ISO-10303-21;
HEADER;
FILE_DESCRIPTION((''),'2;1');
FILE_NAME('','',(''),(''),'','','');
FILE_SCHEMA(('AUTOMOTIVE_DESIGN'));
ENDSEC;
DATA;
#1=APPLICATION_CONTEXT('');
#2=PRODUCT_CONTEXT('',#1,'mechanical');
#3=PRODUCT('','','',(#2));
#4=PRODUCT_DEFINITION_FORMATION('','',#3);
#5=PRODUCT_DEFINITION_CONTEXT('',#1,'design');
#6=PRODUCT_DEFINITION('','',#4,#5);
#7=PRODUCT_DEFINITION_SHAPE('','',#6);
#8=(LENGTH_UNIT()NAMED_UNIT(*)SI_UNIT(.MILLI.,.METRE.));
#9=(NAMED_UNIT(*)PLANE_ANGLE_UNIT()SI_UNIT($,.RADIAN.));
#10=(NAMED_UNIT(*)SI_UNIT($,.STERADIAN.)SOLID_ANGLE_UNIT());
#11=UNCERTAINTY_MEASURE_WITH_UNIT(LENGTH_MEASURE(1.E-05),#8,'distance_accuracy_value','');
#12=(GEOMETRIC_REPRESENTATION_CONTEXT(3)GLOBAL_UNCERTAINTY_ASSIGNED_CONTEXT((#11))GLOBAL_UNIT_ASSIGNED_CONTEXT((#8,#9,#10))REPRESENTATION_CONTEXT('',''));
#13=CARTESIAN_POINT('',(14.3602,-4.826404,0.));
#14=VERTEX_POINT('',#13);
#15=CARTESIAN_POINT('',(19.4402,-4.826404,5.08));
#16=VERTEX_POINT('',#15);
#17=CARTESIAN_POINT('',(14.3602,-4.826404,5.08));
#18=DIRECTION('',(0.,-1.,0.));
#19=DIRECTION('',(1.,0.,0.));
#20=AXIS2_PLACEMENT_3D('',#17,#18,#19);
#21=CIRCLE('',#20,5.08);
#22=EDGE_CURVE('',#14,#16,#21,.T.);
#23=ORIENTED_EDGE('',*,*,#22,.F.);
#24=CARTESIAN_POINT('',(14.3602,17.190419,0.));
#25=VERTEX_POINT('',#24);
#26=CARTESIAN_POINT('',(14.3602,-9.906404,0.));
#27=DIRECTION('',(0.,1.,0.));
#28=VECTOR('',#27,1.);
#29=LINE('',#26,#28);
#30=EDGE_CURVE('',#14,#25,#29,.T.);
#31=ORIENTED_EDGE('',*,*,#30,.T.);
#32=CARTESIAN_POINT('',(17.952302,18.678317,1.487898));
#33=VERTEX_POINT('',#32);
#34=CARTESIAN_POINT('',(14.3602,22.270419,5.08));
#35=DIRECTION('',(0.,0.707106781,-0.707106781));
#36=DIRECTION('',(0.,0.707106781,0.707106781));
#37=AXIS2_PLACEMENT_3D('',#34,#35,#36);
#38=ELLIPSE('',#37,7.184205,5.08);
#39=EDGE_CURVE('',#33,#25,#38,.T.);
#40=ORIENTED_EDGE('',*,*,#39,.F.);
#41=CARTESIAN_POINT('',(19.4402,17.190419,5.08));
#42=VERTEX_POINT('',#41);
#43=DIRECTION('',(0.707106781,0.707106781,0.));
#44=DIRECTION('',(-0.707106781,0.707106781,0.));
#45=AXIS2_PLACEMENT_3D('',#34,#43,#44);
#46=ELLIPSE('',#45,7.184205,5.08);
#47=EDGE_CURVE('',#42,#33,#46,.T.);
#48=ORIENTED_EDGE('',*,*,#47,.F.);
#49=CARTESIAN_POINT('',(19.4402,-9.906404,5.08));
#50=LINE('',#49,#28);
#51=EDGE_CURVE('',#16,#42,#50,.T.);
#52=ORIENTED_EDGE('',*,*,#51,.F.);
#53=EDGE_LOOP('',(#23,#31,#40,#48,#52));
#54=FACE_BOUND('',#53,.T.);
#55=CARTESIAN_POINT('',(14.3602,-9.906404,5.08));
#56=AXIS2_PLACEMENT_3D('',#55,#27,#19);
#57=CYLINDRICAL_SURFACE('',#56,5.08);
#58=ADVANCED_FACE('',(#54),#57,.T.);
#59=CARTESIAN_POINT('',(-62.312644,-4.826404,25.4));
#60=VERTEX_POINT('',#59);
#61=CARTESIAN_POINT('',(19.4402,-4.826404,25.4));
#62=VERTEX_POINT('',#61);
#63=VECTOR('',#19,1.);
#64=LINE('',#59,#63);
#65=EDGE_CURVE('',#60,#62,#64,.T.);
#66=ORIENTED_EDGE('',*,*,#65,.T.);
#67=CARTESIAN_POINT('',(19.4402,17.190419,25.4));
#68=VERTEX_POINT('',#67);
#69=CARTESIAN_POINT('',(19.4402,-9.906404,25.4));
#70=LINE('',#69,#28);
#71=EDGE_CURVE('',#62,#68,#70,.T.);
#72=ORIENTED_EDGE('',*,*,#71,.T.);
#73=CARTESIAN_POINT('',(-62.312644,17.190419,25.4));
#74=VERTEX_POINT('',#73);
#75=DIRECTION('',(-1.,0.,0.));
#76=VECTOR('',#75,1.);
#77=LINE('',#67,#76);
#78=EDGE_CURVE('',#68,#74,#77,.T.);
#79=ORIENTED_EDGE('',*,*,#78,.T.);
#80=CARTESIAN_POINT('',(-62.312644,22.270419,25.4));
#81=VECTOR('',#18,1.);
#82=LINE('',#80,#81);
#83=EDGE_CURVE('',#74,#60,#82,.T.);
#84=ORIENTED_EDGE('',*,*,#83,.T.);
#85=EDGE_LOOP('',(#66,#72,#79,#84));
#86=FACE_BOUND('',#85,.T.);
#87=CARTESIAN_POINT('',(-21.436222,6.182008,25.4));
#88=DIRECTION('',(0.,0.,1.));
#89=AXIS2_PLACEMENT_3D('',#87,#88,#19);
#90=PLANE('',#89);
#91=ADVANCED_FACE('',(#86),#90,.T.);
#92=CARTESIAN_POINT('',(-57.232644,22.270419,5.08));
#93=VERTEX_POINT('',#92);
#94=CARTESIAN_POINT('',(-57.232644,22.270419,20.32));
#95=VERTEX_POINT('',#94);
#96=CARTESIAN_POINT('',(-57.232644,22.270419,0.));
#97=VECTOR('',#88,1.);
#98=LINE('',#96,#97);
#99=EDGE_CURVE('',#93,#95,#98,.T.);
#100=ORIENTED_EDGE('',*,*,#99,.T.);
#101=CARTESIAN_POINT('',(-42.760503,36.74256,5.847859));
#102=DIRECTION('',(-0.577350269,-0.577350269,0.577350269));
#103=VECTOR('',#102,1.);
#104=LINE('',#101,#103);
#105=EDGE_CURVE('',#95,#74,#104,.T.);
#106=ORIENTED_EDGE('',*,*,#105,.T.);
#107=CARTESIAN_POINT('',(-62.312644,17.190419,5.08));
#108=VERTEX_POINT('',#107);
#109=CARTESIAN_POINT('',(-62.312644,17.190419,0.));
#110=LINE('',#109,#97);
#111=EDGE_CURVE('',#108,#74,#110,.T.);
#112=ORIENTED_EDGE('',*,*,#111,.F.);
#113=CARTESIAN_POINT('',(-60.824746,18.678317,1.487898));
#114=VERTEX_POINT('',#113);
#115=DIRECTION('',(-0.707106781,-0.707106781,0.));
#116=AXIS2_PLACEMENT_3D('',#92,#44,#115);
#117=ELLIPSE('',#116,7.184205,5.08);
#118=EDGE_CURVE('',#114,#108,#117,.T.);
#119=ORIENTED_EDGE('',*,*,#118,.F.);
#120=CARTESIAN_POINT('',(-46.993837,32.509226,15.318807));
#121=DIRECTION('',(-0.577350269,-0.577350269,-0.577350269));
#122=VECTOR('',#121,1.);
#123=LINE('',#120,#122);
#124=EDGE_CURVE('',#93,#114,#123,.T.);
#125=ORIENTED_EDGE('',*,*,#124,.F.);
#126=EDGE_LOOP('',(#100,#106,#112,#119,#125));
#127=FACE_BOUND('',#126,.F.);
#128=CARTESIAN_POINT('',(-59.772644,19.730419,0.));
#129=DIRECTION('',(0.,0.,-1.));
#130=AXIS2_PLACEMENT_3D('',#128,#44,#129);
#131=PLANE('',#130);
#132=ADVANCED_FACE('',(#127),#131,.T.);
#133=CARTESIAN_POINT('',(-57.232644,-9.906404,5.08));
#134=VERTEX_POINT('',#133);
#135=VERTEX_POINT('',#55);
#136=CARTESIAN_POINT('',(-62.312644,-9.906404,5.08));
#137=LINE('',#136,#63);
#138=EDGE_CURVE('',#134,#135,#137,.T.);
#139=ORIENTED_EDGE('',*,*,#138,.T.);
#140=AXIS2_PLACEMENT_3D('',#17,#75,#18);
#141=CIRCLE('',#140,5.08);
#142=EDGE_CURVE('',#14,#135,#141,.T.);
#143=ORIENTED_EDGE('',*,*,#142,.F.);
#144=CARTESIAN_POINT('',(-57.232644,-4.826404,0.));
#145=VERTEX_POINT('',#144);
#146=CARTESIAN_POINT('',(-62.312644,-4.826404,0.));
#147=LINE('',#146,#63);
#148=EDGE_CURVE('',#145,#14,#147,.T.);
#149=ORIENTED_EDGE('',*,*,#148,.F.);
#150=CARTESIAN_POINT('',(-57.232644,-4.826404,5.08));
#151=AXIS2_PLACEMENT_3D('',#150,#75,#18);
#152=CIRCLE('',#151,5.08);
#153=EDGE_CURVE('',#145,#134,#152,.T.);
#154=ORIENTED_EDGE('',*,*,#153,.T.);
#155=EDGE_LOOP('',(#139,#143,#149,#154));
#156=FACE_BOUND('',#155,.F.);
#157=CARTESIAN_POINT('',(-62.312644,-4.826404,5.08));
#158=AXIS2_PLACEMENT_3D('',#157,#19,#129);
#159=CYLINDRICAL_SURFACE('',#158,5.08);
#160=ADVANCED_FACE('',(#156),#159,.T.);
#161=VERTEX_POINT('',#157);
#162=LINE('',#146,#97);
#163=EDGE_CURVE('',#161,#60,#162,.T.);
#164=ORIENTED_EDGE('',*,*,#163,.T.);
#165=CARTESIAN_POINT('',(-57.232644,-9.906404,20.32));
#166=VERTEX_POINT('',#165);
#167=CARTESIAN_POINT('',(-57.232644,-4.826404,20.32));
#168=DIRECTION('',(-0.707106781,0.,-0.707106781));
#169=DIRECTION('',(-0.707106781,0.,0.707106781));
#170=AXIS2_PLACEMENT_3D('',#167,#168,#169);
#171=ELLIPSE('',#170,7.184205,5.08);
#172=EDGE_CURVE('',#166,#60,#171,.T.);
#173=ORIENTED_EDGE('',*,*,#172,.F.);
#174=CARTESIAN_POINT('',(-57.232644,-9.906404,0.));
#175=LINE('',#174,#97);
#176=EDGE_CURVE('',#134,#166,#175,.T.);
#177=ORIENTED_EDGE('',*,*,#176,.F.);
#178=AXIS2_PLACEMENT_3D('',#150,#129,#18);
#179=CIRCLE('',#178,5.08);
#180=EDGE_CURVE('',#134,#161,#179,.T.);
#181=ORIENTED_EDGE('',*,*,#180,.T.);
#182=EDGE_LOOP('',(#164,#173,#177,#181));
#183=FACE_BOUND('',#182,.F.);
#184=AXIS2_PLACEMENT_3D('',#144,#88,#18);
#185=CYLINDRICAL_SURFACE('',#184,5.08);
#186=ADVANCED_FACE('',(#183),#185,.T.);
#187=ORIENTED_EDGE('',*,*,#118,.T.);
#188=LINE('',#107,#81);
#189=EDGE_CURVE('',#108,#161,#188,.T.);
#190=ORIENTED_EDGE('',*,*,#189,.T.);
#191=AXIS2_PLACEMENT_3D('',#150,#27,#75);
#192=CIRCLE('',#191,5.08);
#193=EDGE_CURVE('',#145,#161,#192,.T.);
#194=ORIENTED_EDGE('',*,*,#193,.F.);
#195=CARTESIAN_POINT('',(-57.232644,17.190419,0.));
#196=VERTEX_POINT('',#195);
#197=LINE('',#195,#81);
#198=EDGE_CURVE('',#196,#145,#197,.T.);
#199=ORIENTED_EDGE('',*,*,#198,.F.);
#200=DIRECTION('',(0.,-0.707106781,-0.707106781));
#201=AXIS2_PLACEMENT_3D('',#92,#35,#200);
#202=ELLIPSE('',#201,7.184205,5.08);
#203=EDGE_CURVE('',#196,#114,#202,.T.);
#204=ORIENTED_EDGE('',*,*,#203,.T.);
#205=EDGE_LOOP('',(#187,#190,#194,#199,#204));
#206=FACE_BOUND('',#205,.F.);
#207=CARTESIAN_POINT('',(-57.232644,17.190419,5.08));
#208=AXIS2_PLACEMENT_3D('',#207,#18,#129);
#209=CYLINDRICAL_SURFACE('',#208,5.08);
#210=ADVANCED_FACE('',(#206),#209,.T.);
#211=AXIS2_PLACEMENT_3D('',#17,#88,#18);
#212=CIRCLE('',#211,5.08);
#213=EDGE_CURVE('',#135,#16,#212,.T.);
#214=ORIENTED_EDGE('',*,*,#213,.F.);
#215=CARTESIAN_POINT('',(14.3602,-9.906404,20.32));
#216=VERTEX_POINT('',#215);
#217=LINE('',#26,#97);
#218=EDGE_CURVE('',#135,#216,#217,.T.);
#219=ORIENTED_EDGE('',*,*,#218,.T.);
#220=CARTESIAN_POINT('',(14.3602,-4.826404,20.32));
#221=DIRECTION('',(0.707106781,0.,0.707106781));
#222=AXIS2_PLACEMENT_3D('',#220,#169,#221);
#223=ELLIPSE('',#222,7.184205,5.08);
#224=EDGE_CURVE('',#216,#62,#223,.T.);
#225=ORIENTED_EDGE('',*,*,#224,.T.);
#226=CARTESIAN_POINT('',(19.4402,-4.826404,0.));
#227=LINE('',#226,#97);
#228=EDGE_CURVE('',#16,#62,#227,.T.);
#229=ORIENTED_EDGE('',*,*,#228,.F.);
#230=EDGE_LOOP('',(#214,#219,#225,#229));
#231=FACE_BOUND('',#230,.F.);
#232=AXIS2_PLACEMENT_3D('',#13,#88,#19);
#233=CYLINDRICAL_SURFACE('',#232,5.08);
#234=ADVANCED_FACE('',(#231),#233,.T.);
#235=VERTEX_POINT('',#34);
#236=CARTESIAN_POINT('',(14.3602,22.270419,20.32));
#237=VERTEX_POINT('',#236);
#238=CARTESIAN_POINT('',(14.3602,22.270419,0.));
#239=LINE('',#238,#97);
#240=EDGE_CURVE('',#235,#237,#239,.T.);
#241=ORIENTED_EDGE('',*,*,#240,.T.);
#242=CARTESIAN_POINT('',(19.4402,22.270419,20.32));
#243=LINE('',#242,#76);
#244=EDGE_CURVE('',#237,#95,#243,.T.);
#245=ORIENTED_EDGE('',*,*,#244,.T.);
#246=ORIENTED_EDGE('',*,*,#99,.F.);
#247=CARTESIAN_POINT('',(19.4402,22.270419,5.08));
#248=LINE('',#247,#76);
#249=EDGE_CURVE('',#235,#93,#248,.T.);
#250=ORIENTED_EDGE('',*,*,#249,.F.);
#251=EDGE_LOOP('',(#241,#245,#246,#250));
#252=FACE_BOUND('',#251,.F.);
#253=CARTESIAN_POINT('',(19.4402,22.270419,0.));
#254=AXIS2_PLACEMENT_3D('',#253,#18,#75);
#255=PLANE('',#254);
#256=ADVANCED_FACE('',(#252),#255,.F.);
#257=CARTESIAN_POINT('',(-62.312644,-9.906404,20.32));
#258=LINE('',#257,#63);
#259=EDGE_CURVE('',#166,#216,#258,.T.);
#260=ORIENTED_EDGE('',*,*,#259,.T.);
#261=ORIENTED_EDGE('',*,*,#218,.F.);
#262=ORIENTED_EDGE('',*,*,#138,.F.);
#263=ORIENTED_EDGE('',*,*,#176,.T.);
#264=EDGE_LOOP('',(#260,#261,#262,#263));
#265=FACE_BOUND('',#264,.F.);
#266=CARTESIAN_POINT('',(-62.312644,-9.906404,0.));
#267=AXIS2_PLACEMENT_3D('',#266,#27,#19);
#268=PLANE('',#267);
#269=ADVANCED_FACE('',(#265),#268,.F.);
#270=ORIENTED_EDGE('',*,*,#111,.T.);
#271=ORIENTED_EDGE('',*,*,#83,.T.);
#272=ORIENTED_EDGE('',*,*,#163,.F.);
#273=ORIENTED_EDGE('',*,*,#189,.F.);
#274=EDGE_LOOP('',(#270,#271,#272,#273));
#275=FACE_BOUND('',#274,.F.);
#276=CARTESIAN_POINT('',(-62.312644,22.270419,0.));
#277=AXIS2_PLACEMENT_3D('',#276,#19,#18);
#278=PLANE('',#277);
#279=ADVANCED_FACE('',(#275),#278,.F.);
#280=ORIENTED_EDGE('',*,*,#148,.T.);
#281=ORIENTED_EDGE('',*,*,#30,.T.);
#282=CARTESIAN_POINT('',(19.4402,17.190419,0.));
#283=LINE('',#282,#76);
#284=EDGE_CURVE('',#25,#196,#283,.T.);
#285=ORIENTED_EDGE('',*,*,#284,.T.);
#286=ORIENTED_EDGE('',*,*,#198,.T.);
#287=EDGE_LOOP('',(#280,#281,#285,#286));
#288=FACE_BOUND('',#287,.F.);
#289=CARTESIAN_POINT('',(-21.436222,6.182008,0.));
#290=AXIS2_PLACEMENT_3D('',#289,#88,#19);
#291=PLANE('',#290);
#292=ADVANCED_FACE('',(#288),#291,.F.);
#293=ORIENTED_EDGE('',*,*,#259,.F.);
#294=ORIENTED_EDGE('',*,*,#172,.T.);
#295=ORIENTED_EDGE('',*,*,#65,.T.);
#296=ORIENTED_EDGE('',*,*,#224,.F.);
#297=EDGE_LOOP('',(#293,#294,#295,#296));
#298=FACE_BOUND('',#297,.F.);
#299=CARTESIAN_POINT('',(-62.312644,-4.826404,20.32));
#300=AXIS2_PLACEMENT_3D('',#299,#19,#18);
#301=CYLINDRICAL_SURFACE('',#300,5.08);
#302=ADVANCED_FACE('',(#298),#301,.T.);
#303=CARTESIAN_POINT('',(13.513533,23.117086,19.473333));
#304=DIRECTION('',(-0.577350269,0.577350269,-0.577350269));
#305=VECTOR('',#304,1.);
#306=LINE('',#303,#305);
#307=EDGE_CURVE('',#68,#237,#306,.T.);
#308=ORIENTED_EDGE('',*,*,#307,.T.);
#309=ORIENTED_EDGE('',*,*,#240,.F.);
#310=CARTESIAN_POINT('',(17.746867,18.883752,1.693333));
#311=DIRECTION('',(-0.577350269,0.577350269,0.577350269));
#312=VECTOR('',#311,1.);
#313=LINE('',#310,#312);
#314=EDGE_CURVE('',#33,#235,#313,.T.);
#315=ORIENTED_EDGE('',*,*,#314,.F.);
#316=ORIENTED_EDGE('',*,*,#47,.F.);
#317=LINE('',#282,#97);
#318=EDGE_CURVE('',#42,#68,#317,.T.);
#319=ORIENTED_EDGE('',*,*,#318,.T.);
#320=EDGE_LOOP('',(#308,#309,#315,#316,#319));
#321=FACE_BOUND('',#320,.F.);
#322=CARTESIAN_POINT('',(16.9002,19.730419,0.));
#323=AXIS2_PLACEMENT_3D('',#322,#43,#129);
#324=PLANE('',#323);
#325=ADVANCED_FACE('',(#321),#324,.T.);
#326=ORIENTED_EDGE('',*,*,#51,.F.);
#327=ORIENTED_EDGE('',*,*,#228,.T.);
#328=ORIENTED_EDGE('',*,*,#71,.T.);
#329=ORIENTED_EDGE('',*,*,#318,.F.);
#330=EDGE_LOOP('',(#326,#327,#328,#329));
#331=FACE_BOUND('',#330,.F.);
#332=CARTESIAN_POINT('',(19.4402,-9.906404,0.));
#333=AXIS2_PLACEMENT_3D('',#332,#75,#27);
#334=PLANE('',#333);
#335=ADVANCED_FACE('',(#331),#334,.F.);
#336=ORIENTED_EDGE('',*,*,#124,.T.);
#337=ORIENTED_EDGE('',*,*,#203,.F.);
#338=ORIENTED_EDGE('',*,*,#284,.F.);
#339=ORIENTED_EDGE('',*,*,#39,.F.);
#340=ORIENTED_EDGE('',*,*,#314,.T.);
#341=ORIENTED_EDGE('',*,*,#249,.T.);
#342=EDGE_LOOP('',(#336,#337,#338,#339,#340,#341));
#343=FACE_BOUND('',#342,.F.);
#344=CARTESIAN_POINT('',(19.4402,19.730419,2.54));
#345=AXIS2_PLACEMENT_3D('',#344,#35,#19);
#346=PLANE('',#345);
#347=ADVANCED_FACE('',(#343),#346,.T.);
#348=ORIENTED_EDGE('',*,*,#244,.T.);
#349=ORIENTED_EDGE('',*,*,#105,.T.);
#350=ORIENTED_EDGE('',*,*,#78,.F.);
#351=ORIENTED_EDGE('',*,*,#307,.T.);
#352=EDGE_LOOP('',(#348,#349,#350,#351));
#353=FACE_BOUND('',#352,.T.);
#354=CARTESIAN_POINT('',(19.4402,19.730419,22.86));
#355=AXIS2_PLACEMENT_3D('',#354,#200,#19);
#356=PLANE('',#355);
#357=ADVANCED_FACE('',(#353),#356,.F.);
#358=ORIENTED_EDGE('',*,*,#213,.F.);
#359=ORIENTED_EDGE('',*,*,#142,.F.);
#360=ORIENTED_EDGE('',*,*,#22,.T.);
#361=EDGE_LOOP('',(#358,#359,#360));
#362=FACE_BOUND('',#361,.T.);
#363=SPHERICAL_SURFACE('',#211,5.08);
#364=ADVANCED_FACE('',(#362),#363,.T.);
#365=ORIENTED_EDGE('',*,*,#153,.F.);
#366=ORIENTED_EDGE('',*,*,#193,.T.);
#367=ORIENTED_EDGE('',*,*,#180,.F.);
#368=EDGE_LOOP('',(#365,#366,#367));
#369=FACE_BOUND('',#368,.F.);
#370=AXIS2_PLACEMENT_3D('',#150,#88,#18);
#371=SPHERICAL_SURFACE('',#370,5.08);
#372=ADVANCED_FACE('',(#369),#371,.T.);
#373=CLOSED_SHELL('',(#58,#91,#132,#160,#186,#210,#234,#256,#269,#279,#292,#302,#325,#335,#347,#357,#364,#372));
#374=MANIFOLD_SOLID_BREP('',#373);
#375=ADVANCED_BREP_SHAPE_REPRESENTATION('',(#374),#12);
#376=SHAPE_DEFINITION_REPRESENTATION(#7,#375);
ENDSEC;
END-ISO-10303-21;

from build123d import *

# Parameters (mm, degrees)
F1_DEPTH = 25.4
F2_SIZE  = 5.08
F3_R     = 5.08


with BuildPart() as f1:
    # F0 (on Top) → F1 (new body)
    with BuildSketch(Plane.XY):
        Polygon((19.4402, -9.906404), (19.4402, 22.270419), (-62.312644, 22.270419), (-62.312644, -9.906404), (-20.164922, -9.906404), align=None)
    extrude(amount=F1_DEPTH)

    # F2
    f2_edges = [f1.edges().sort_by_distance(p)[0] for p in [
        (19.4402, 22.270419, 12.7),
        (-62.312644, 22.270419, 12.7),
        (-21.436222, 22.270419, 0),
        (-21.436222, 22.270419, 25.4),
    ]]
    chamfer(f2_edges, length=F2_SIZE)

    # F3
    f3_edges = [f1.edges().sort_by_distance(p)[0] for p in [
        (-62.312644, -9.906404, 12.7),
        (-21.436222, -9.906404, 25.4),
        (19.4402, -9.906404, 12.7),
        (-21.436222, -9.906404, 0),
        (19.4402, 3.642007, 0),
        (-62.312644, 3.642007, 0),
    ]]
    fillet(f3_edges, radius=F3_R)


solid = f1.part
